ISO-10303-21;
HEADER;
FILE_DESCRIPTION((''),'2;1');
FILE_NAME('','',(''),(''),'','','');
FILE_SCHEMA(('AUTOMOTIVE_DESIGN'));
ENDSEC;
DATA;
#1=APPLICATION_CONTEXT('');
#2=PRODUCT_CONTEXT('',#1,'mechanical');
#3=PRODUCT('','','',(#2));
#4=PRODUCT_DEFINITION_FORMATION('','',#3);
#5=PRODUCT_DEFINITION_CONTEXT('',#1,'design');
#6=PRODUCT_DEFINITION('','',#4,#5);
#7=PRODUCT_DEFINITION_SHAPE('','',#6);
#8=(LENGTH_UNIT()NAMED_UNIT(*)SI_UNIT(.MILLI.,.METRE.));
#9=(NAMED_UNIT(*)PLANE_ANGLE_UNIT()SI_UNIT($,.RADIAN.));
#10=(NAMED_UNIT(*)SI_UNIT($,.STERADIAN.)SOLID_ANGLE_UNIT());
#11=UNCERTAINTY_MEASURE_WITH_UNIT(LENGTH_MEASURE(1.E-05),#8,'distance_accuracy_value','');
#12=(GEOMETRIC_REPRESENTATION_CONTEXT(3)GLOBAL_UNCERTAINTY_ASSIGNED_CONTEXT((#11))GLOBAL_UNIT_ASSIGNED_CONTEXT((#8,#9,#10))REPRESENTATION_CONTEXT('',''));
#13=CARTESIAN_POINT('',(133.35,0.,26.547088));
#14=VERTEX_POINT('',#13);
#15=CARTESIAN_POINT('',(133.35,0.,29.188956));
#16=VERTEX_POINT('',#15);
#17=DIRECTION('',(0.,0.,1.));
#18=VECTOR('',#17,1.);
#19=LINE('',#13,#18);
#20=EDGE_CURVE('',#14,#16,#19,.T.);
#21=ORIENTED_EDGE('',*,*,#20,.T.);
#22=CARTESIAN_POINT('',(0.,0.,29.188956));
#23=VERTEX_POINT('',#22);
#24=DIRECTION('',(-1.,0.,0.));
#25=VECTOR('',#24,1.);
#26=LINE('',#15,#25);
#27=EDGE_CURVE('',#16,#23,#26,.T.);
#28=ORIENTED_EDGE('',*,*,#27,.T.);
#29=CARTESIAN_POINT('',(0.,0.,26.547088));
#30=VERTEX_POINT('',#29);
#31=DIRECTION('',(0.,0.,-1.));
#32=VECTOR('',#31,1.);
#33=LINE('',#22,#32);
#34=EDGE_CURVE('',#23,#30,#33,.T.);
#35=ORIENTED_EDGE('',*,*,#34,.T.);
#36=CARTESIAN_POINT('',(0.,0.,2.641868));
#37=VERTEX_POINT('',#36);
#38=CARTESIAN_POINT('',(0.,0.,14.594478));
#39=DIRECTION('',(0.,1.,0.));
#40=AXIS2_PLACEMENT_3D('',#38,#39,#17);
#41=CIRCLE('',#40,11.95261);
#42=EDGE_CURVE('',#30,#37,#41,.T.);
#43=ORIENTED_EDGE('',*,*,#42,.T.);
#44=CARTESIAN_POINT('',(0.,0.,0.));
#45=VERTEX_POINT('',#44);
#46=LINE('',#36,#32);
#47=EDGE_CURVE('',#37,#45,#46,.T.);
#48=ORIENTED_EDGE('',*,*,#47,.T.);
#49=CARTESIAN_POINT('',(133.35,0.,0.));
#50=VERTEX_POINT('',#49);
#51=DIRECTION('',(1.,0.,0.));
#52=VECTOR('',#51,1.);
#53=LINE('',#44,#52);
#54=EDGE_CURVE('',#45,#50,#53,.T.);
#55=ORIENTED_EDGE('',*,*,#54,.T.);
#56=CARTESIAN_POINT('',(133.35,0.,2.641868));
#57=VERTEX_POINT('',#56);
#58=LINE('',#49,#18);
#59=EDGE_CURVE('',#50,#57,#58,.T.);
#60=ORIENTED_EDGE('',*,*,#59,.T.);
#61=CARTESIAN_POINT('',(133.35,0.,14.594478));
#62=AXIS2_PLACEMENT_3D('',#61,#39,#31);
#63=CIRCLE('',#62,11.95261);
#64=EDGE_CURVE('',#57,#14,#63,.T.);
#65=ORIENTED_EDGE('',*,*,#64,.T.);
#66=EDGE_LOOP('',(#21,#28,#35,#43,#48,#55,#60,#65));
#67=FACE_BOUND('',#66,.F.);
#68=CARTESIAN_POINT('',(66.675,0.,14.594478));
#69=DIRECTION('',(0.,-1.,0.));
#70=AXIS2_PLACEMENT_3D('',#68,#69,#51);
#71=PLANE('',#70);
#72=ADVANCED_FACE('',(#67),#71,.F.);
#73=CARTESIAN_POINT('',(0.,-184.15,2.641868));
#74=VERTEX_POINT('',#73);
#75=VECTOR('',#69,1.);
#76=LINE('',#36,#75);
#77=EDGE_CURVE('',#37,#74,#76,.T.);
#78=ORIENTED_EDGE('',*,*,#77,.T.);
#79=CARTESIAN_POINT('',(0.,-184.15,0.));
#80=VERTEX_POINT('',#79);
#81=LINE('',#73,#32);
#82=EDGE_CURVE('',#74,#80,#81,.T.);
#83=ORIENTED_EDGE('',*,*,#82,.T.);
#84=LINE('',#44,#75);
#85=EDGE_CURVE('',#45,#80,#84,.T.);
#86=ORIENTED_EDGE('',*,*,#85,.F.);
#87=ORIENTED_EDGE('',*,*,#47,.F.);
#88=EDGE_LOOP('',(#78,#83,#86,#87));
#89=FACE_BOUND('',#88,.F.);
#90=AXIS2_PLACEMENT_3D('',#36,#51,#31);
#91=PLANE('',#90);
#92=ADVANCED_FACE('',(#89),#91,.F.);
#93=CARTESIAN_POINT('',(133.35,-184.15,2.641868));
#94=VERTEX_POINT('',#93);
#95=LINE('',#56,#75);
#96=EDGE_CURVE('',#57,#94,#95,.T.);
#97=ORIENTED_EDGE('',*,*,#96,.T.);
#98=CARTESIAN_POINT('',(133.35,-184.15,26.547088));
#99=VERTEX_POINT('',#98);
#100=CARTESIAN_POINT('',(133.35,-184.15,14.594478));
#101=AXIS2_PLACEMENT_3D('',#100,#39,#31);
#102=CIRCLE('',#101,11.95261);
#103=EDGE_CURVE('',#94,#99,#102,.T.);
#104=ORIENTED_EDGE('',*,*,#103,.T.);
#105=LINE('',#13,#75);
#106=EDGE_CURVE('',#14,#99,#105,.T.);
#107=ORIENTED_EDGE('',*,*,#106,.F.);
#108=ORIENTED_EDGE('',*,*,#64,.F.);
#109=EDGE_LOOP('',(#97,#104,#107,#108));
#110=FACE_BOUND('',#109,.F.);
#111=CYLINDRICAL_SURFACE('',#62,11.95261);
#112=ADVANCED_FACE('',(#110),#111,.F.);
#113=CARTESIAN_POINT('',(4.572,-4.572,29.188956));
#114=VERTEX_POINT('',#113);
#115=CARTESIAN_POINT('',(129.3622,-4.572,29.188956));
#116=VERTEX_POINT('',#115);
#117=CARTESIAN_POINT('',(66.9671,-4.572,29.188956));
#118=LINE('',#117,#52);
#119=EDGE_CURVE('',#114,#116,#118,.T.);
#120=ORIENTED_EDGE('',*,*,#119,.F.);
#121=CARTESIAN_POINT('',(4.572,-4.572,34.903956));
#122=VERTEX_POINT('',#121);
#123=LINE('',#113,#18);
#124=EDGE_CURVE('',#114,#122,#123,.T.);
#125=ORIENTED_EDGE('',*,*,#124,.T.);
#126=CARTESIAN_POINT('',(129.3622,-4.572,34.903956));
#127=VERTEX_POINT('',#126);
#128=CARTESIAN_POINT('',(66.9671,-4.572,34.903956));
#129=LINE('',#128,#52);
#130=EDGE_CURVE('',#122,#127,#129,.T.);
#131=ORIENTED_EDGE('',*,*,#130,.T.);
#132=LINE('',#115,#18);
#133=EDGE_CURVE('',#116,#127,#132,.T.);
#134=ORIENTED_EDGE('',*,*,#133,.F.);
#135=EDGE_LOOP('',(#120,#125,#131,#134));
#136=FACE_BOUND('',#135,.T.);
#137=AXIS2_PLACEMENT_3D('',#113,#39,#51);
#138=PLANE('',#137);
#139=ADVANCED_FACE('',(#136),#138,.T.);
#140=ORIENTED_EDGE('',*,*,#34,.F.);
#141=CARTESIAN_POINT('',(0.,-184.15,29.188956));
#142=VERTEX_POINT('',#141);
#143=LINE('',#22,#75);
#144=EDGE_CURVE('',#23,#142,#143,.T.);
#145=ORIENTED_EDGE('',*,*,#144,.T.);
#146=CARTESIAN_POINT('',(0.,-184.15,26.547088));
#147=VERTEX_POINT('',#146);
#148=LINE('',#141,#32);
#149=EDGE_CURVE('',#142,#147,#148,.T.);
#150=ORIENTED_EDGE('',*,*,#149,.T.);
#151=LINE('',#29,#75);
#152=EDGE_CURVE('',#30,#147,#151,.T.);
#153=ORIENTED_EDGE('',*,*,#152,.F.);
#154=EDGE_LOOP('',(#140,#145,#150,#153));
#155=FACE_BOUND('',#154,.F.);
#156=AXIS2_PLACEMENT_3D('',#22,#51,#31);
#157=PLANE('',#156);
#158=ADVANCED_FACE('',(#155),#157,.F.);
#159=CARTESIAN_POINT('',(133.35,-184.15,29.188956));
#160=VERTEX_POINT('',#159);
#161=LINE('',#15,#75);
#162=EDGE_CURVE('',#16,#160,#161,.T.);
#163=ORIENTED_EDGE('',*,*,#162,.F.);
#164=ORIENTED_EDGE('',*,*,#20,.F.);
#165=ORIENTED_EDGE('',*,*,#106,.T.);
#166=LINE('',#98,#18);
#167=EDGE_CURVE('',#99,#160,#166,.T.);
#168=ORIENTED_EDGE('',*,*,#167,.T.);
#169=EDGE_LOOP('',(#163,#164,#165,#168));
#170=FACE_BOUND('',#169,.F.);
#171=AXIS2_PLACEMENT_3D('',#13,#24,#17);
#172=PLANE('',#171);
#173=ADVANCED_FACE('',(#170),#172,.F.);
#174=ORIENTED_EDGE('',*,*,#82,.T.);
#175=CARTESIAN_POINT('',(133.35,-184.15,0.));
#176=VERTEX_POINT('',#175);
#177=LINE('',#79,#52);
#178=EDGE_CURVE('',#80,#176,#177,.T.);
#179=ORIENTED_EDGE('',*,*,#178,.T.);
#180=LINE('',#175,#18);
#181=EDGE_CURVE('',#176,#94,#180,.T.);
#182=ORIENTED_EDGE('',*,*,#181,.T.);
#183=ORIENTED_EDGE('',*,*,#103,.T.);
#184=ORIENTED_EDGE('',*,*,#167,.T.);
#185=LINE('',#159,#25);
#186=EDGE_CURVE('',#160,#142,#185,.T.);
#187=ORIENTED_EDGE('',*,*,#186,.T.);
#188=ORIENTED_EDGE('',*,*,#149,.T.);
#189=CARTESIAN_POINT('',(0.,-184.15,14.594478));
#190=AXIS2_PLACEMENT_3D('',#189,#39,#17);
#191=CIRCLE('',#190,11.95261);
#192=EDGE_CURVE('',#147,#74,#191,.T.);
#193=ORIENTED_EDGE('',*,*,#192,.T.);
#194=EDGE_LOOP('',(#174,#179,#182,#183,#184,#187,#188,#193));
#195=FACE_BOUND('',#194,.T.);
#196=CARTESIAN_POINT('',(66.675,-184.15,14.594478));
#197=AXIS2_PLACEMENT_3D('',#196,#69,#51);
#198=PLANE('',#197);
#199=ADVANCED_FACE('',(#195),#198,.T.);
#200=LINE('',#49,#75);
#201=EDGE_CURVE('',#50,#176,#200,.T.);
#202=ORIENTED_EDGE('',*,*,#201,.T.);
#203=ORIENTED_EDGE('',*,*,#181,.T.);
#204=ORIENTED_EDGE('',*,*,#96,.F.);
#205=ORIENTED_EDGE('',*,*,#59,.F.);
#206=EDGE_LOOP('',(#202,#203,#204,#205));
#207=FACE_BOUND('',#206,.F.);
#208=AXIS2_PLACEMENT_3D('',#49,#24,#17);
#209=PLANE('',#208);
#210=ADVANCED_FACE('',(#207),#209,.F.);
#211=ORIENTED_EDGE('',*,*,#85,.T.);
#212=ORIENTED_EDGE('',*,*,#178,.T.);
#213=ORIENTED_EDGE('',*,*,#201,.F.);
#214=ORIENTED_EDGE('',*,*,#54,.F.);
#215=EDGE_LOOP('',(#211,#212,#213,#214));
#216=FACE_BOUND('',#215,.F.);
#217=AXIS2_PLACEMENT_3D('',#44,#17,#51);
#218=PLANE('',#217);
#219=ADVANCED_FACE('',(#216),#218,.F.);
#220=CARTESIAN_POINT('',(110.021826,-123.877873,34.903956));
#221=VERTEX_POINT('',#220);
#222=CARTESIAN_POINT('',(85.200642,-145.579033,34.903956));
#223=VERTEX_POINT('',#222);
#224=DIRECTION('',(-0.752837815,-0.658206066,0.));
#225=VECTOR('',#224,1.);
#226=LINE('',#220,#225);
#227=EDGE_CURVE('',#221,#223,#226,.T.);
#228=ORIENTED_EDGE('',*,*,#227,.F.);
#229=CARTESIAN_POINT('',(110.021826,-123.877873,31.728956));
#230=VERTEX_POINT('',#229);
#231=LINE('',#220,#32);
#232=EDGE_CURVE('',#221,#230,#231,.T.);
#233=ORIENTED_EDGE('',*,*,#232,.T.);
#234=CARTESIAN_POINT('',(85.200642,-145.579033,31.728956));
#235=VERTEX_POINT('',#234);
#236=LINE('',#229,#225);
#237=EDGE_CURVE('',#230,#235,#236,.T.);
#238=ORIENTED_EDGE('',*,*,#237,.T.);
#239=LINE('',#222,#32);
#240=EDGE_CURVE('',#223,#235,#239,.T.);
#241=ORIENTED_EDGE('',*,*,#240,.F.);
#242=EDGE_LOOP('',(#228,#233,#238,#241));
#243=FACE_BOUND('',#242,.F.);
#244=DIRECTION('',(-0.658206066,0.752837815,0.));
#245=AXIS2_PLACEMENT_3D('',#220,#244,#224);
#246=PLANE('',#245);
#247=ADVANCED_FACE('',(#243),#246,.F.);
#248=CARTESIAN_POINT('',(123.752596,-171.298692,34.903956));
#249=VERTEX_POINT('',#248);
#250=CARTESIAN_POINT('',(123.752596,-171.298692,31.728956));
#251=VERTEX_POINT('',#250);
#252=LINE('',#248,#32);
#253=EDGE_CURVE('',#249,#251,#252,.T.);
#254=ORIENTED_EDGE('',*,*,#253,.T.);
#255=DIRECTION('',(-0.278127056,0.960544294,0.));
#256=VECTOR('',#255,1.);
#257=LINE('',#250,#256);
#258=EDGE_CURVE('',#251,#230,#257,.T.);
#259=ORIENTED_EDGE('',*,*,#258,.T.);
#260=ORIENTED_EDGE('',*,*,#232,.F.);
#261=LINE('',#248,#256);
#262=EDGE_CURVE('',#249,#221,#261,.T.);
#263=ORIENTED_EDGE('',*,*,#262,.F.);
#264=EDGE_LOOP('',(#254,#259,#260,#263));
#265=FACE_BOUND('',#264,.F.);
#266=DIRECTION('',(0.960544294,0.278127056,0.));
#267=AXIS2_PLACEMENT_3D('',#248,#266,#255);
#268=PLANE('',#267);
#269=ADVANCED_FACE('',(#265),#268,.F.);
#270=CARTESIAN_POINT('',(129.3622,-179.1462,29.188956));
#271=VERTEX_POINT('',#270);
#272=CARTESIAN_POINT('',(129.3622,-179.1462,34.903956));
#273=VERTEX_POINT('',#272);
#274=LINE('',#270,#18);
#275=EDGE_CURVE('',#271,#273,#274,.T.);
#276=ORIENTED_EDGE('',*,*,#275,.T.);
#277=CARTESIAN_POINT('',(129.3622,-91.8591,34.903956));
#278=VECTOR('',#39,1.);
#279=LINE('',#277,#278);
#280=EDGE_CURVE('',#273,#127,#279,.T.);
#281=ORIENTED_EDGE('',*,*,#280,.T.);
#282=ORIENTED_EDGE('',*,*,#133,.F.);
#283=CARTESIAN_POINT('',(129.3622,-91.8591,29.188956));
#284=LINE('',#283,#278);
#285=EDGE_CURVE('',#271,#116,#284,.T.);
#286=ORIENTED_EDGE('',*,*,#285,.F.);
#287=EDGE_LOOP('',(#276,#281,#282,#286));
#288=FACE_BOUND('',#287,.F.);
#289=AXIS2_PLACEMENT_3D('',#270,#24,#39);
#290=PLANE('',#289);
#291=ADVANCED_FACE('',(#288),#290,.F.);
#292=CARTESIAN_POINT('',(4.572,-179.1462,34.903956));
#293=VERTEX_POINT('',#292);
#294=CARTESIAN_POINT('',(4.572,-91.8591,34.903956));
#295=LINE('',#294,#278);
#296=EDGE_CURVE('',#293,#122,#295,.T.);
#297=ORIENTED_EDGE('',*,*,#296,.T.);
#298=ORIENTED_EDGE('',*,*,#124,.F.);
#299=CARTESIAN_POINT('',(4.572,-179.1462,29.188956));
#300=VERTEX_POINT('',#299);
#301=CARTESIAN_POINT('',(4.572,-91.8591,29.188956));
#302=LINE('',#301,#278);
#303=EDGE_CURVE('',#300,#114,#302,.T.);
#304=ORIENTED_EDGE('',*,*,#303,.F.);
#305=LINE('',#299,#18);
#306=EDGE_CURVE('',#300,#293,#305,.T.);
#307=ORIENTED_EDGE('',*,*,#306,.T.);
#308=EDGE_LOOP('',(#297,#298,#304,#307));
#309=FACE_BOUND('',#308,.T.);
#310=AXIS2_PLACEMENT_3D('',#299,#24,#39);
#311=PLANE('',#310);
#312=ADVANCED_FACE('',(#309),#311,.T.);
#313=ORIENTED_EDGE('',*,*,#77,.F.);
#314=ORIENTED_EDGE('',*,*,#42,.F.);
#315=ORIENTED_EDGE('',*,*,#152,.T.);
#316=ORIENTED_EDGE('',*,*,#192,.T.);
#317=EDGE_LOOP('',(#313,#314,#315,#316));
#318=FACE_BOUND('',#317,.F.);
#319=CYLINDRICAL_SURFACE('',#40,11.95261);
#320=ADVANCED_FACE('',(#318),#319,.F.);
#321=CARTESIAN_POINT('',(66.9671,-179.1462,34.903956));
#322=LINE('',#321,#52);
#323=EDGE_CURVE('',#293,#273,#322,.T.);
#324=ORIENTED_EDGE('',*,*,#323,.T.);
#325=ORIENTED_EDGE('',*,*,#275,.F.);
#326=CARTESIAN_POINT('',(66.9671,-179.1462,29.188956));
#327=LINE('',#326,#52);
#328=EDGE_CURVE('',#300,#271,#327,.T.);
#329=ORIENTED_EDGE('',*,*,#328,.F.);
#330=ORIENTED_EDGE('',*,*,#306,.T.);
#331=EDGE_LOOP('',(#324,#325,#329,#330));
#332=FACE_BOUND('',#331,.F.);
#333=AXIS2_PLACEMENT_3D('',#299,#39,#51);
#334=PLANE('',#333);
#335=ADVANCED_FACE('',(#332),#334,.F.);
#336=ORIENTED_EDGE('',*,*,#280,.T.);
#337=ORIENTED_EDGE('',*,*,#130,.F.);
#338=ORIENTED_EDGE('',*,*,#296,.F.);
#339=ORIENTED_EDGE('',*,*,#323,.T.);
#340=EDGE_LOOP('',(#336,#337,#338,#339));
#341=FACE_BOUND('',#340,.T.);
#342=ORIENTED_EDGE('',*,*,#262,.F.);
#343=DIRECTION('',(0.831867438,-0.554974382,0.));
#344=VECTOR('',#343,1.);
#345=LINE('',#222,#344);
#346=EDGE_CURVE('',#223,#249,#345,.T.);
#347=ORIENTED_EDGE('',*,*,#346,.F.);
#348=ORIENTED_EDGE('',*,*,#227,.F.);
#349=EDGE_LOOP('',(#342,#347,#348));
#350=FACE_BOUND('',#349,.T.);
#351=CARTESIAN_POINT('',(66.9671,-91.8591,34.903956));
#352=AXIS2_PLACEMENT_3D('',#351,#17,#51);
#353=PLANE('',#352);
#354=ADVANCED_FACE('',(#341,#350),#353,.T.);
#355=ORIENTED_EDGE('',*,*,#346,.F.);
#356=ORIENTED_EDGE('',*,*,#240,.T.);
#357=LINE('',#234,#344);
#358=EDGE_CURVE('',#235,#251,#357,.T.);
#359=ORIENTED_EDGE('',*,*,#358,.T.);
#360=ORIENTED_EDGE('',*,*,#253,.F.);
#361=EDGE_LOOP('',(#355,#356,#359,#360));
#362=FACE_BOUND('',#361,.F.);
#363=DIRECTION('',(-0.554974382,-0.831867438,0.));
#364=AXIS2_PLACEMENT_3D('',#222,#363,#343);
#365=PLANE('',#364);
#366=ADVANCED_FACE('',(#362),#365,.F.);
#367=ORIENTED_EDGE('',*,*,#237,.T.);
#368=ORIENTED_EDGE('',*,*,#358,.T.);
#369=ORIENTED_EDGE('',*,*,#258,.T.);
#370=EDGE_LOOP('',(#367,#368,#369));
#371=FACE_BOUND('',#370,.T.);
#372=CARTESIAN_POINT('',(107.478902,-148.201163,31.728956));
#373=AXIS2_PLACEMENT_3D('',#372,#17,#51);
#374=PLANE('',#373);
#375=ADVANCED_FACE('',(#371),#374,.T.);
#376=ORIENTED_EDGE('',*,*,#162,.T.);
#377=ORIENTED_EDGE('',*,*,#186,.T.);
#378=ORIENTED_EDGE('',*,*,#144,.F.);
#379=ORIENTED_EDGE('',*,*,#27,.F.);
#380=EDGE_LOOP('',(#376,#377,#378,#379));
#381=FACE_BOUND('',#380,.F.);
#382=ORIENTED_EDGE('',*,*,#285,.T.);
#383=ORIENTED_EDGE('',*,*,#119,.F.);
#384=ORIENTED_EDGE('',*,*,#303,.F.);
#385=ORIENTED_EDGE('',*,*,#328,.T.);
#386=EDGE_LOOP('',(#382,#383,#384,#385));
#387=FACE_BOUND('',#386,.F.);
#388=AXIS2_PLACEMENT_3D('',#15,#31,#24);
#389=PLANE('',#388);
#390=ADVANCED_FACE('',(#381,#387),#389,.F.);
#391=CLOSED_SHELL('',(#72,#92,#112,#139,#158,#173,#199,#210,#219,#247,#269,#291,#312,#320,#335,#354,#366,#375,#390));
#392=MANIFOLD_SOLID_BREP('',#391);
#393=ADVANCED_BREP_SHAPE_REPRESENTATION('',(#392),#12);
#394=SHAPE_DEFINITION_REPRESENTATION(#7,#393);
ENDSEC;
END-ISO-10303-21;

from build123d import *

# Parameters (mm, degrees)
F1_DEPTH = 184.15
F2_W     = 124.7902
F2_H     = 174.5742
F3_DEPTH = 5.715
F5_DEPTH = 3.175


with BuildPart() as f1:
    # F0 (on Front) → F1 (new body)
    with BuildSketch(Plane.XZ):
        with BuildLine():
            Line((0, 2.641868), (0, 0))
            Line((0, 0), (133.35, 0))
            Line((133.35, 0), (133.35, 2.641868))
            ThreePointArc((133.35, 2.641868), (121.39739, 14.594478), (133.35, 26.547088))
            Line((133.35, 26.547088), (133.35, 29.188956))
            Line((133.35, 29.188956), (0, 29.188956))
            Line((0, 29.188956), (0, 26.547088))
            ThreePointArc((0, 26.547088), (11.95261, 14.594478), (0, 2.641868))
        make_face()
    extrude(amount=F1_DEPTH)

    # F2 (on face) → F3 (join)
    with BuildSketch(Plane.XY.offset(29.188956)):
        with Locations((66.9671, -91.8591)):
            Rectangle(F2_W, F2_H)
    extrude(amount=F3_DEPTH)

    # F4 (on face) → F5 (cut)
    with BuildSketch(Plane.XY.offset(34.903956)):
        Polygon((85.200642, -145.579033), (123.752596, -171.298692), (110.021826, -123.877873), align=None)
    extrude(amount=-F5_DEPTH, mode=Mode.SUBTRACT)


solid = f1.part
